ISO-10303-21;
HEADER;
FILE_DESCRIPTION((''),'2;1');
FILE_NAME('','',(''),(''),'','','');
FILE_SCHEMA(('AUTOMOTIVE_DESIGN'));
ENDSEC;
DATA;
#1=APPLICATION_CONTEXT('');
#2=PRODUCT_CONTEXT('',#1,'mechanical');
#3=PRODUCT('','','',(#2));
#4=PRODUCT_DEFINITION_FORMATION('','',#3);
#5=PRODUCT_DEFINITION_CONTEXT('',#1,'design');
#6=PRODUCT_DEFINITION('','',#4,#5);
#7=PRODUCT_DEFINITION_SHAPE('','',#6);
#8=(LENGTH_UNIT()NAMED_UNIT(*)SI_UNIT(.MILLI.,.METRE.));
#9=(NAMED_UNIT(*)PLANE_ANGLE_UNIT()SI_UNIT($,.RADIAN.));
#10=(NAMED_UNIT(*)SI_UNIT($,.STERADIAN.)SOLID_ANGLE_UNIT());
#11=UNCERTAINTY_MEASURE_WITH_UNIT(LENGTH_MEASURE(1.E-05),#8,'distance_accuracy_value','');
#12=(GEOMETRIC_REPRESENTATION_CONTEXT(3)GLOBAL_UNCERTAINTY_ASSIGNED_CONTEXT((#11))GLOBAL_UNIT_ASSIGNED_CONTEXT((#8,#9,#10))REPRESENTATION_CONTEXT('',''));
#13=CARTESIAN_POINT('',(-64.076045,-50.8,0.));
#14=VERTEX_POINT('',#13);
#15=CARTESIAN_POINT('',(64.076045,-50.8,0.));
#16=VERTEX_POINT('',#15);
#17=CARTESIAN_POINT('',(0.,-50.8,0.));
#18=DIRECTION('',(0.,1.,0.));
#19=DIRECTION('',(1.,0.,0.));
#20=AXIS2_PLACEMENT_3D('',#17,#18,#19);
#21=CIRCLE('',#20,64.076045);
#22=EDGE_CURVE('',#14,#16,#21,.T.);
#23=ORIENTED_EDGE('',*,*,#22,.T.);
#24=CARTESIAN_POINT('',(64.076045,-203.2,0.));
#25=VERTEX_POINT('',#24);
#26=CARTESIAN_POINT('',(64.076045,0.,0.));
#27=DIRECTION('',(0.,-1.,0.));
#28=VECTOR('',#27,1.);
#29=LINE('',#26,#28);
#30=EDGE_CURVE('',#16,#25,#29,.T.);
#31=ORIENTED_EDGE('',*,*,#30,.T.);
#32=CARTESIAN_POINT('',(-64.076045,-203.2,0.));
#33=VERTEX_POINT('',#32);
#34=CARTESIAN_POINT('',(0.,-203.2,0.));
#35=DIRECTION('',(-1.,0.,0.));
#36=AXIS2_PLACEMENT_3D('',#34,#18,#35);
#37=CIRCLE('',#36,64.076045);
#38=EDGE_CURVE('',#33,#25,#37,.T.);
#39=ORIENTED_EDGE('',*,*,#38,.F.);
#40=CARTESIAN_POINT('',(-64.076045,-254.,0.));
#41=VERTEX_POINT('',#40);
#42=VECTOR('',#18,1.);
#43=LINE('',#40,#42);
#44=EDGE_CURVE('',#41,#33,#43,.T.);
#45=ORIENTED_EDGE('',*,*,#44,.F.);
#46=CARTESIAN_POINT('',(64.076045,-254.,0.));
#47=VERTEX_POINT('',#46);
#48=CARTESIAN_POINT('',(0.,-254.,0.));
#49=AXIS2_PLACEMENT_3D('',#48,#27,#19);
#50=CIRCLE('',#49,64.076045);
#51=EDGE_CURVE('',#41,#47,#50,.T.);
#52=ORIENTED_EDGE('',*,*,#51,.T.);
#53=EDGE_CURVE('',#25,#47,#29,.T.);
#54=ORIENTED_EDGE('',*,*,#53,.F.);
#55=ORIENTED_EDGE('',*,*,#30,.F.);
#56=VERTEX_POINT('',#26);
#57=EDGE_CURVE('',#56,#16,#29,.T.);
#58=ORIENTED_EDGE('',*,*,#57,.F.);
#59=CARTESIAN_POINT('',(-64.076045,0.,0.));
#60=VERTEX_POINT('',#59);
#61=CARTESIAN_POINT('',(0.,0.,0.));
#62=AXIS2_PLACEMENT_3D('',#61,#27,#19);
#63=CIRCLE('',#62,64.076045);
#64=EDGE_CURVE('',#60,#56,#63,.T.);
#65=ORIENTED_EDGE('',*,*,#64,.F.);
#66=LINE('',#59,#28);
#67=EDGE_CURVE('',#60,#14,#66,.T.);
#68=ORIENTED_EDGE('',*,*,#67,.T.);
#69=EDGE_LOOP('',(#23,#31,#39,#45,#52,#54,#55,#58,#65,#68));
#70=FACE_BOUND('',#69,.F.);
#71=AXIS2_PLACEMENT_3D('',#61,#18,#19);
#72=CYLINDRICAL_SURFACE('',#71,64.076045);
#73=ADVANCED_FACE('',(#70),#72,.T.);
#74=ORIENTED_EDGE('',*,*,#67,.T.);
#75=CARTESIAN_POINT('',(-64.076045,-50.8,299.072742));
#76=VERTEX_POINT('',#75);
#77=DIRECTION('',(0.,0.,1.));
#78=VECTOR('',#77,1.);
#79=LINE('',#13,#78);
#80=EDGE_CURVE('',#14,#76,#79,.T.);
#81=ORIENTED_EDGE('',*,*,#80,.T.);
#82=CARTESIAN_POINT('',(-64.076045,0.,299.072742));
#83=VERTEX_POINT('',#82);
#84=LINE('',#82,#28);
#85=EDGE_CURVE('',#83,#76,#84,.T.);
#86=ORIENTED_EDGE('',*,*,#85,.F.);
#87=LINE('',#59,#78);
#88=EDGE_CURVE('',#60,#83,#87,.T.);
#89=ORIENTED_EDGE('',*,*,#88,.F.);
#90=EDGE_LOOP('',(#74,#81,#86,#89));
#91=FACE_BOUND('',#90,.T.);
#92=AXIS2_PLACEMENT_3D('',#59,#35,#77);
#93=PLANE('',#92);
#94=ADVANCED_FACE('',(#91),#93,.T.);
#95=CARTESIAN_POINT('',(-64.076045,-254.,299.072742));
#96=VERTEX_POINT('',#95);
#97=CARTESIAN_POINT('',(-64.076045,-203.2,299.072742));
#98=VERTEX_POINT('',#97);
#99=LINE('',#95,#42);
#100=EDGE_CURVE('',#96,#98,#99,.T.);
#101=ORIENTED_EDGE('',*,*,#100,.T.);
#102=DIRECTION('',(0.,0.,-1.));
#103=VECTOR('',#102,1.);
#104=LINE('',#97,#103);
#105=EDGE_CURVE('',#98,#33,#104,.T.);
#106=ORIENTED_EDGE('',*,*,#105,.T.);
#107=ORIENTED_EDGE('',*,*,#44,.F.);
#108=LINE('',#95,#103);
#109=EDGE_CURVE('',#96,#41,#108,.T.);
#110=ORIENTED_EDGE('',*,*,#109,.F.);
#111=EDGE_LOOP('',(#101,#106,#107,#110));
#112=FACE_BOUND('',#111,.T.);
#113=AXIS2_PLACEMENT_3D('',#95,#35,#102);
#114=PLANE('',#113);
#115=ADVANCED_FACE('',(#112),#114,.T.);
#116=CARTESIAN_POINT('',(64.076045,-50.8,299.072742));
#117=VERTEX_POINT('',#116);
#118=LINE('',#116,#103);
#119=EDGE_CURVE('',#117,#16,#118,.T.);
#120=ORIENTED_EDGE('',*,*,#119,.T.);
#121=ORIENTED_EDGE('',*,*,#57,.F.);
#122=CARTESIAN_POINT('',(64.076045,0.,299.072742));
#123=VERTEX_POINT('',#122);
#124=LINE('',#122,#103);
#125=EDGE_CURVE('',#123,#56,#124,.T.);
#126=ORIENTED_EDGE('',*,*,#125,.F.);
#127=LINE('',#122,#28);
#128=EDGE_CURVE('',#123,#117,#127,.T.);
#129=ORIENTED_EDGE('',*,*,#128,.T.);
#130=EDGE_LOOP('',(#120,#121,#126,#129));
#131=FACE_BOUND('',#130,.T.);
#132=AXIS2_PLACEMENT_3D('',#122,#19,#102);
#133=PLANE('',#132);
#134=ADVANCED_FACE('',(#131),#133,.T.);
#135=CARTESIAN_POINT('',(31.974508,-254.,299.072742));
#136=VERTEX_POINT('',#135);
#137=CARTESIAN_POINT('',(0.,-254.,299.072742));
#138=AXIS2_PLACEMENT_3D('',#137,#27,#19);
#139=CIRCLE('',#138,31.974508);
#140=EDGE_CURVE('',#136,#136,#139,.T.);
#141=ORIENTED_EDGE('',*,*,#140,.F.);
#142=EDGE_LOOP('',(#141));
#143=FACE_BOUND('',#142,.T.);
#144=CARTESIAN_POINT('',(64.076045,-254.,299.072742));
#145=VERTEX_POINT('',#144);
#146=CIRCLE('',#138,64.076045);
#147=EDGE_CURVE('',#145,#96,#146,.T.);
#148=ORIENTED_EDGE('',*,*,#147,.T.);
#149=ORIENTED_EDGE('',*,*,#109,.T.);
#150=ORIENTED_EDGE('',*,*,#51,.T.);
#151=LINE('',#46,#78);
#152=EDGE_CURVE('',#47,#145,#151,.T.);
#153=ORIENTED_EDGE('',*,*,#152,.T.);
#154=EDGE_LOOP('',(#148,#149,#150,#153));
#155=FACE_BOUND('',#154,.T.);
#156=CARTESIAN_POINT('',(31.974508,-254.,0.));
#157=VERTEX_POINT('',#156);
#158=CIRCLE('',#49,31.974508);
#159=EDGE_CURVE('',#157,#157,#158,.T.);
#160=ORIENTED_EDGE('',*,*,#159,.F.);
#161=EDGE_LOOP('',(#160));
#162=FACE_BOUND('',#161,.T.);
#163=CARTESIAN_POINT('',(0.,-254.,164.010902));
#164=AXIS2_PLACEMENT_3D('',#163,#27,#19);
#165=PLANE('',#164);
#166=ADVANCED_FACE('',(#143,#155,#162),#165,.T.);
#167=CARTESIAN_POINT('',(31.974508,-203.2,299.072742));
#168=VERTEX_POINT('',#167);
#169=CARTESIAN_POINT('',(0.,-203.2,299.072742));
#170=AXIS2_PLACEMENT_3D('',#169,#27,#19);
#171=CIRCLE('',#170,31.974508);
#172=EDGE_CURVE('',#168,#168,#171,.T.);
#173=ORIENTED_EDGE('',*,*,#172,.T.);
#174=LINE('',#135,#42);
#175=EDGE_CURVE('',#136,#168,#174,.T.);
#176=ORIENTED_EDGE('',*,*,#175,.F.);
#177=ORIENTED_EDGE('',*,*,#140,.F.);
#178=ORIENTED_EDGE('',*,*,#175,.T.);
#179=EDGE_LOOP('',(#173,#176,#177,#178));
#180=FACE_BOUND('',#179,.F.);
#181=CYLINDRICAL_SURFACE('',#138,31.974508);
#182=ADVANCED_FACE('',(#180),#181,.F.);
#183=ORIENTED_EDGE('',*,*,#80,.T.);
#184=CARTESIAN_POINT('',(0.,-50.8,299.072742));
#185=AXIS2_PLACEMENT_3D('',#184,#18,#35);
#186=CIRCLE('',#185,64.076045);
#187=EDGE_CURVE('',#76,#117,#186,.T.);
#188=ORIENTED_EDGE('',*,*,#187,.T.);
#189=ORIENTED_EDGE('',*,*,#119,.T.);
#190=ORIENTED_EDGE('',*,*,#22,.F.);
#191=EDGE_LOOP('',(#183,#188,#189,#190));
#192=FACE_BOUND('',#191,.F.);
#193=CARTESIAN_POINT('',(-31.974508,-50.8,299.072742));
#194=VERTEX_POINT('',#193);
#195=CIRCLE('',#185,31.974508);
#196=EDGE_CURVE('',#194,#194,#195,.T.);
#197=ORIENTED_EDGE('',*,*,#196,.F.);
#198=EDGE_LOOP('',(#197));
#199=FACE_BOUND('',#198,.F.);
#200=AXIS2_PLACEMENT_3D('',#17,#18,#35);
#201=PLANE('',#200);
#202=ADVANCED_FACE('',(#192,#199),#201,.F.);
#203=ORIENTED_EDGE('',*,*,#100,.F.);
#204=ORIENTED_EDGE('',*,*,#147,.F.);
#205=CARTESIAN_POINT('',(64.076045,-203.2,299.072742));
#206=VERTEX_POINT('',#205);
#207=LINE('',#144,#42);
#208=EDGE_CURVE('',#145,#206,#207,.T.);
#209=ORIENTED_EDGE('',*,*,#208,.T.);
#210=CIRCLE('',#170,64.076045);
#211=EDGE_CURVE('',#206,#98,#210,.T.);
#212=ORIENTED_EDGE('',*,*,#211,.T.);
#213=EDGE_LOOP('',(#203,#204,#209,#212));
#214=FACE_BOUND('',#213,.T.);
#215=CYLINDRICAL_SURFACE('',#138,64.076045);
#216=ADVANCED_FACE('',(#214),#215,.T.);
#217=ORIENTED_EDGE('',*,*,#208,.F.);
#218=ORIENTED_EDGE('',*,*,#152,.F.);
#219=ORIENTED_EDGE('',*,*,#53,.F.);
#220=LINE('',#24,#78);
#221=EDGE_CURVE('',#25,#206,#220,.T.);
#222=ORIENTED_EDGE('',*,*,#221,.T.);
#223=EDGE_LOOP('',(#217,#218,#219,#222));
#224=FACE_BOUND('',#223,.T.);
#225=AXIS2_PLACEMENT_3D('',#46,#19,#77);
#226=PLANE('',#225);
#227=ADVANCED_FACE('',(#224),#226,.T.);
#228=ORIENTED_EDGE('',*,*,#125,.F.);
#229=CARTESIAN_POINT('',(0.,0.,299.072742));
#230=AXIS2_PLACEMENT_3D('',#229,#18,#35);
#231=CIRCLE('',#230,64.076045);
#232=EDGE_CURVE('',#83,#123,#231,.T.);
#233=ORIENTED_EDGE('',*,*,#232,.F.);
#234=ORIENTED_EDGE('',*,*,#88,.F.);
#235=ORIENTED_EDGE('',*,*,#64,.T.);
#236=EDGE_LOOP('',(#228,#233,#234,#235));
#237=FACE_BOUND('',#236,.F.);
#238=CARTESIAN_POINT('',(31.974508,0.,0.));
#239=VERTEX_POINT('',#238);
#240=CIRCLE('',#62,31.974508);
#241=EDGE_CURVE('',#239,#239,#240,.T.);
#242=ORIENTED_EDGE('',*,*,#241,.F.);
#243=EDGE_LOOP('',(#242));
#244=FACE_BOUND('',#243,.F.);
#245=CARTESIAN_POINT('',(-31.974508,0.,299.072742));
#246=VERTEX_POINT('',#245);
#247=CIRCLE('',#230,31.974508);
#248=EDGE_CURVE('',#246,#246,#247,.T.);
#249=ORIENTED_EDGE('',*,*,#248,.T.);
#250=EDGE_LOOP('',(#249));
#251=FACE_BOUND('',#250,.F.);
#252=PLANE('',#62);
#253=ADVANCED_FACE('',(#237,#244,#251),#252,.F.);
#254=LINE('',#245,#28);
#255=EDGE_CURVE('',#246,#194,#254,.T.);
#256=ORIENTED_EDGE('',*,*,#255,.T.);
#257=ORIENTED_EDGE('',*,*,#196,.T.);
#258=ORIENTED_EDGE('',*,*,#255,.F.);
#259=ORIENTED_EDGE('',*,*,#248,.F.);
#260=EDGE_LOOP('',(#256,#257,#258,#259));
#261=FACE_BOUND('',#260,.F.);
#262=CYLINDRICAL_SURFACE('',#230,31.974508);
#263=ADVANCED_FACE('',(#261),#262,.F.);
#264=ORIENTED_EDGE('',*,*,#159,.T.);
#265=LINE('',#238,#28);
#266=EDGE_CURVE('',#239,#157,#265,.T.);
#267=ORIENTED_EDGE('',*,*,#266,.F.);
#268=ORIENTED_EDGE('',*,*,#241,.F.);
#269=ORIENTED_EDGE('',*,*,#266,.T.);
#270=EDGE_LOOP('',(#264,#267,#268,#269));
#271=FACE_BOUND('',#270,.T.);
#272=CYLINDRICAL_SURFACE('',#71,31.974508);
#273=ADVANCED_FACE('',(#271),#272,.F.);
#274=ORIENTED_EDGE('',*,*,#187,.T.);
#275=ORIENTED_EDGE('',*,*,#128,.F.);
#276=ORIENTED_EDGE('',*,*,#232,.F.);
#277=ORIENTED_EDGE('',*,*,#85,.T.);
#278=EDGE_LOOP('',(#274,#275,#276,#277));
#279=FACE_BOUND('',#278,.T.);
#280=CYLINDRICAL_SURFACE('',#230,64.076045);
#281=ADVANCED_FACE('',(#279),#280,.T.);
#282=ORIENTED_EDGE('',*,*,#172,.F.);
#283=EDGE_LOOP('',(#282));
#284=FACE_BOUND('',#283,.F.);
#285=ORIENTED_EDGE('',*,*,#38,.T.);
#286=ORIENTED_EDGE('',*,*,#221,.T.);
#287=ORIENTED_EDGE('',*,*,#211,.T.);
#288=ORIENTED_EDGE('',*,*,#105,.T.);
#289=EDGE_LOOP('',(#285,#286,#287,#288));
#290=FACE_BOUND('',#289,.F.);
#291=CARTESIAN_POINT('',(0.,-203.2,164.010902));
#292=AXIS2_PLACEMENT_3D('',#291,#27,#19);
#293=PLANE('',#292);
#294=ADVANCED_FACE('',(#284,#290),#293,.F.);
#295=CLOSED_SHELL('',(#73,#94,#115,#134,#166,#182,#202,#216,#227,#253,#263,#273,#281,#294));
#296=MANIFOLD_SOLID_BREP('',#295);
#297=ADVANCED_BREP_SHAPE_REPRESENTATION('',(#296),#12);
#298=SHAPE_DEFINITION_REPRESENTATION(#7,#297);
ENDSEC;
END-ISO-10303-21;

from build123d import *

# Parameters (mm, degrees)
F0_R     = 64.0760449632
F0_R_2   = 31.9745078145
F1_DEPTH = 254
F2_R     = 31.9745078145
F3_DEPTH = 50.8
F4_R     = 31.9745078145
F5_DEPTH = 50.8


with BuildPart() as f1:
    # F0 (on Front) → F1 (new body)
    with BuildSketch(Plane.XZ):
        Circle(F0_R)
        Circle(F0_R_2, mode=Mode.SUBTRACT)
    extrude(amount=F1_DEPTH)

    # F2 (on face) → F3 (join)
    with BuildSketch(Plane(origin=(0, 0, 0), x_dir=(-1, 0, 0), z_dir=(0, 1, 0))):
        with BuildLine():
            ThreePointArc((-64.0760449632, 0), (0, -64.0760449632), (64.0760449632, 0))
            ThreePointArc((64.0760449632, 0), (0, 64.0760449632), (-64.0760449632, 0))
        make_face()
        Circle(F2_R, mode=Mode.SUBTRACT)
        with BuildLine():
            ThreePointArc((-64.0760449632, 0), (0, 64.0760449632), (64.0760449632, 0))
            Line((64.0760449632, 0), (64.0760449632, 299.0727424622))
            ThreePointArc((64.0760449632, 299.0727424622), (0, 363.1487874254), (-64.0760449632, 299.0727424622))
            Line((-64.0760449632, 299.0727424622), (-64.0760449632, 0))
        make_face()
        with Locations((0, 299.0727424622)):
            Circle(F2_R, mode=Mode.SUBTRACT)
    extrude(amount=-F3_DEPTH)

    # F4 (on face) → F5 (join)
    with BuildSketch(Plane.XZ.offset(254)):
        with BuildLine():
            Line((64.0760449632, 0), (64.0760449632, 299.0727424622))
            ThreePointArc((64.0760449632, 299.0727424622), (0, 363.1487874254), (-64.0760449632, 299.0727424622))
            Line((-64.0760449632, 299.0727424622), (-64.0760449632, 0))
            ThreePointArc((-64.0760449632, 0), (0, 64.0760449632), (64.0760449632, 0))
        make_face()
        with Locations((0, 299.0727424622)):
            Circle(F4_R, mode=Mode.SUBTRACT)
    extrude(amount=-F5_DEPTH)


solid = f1.part
